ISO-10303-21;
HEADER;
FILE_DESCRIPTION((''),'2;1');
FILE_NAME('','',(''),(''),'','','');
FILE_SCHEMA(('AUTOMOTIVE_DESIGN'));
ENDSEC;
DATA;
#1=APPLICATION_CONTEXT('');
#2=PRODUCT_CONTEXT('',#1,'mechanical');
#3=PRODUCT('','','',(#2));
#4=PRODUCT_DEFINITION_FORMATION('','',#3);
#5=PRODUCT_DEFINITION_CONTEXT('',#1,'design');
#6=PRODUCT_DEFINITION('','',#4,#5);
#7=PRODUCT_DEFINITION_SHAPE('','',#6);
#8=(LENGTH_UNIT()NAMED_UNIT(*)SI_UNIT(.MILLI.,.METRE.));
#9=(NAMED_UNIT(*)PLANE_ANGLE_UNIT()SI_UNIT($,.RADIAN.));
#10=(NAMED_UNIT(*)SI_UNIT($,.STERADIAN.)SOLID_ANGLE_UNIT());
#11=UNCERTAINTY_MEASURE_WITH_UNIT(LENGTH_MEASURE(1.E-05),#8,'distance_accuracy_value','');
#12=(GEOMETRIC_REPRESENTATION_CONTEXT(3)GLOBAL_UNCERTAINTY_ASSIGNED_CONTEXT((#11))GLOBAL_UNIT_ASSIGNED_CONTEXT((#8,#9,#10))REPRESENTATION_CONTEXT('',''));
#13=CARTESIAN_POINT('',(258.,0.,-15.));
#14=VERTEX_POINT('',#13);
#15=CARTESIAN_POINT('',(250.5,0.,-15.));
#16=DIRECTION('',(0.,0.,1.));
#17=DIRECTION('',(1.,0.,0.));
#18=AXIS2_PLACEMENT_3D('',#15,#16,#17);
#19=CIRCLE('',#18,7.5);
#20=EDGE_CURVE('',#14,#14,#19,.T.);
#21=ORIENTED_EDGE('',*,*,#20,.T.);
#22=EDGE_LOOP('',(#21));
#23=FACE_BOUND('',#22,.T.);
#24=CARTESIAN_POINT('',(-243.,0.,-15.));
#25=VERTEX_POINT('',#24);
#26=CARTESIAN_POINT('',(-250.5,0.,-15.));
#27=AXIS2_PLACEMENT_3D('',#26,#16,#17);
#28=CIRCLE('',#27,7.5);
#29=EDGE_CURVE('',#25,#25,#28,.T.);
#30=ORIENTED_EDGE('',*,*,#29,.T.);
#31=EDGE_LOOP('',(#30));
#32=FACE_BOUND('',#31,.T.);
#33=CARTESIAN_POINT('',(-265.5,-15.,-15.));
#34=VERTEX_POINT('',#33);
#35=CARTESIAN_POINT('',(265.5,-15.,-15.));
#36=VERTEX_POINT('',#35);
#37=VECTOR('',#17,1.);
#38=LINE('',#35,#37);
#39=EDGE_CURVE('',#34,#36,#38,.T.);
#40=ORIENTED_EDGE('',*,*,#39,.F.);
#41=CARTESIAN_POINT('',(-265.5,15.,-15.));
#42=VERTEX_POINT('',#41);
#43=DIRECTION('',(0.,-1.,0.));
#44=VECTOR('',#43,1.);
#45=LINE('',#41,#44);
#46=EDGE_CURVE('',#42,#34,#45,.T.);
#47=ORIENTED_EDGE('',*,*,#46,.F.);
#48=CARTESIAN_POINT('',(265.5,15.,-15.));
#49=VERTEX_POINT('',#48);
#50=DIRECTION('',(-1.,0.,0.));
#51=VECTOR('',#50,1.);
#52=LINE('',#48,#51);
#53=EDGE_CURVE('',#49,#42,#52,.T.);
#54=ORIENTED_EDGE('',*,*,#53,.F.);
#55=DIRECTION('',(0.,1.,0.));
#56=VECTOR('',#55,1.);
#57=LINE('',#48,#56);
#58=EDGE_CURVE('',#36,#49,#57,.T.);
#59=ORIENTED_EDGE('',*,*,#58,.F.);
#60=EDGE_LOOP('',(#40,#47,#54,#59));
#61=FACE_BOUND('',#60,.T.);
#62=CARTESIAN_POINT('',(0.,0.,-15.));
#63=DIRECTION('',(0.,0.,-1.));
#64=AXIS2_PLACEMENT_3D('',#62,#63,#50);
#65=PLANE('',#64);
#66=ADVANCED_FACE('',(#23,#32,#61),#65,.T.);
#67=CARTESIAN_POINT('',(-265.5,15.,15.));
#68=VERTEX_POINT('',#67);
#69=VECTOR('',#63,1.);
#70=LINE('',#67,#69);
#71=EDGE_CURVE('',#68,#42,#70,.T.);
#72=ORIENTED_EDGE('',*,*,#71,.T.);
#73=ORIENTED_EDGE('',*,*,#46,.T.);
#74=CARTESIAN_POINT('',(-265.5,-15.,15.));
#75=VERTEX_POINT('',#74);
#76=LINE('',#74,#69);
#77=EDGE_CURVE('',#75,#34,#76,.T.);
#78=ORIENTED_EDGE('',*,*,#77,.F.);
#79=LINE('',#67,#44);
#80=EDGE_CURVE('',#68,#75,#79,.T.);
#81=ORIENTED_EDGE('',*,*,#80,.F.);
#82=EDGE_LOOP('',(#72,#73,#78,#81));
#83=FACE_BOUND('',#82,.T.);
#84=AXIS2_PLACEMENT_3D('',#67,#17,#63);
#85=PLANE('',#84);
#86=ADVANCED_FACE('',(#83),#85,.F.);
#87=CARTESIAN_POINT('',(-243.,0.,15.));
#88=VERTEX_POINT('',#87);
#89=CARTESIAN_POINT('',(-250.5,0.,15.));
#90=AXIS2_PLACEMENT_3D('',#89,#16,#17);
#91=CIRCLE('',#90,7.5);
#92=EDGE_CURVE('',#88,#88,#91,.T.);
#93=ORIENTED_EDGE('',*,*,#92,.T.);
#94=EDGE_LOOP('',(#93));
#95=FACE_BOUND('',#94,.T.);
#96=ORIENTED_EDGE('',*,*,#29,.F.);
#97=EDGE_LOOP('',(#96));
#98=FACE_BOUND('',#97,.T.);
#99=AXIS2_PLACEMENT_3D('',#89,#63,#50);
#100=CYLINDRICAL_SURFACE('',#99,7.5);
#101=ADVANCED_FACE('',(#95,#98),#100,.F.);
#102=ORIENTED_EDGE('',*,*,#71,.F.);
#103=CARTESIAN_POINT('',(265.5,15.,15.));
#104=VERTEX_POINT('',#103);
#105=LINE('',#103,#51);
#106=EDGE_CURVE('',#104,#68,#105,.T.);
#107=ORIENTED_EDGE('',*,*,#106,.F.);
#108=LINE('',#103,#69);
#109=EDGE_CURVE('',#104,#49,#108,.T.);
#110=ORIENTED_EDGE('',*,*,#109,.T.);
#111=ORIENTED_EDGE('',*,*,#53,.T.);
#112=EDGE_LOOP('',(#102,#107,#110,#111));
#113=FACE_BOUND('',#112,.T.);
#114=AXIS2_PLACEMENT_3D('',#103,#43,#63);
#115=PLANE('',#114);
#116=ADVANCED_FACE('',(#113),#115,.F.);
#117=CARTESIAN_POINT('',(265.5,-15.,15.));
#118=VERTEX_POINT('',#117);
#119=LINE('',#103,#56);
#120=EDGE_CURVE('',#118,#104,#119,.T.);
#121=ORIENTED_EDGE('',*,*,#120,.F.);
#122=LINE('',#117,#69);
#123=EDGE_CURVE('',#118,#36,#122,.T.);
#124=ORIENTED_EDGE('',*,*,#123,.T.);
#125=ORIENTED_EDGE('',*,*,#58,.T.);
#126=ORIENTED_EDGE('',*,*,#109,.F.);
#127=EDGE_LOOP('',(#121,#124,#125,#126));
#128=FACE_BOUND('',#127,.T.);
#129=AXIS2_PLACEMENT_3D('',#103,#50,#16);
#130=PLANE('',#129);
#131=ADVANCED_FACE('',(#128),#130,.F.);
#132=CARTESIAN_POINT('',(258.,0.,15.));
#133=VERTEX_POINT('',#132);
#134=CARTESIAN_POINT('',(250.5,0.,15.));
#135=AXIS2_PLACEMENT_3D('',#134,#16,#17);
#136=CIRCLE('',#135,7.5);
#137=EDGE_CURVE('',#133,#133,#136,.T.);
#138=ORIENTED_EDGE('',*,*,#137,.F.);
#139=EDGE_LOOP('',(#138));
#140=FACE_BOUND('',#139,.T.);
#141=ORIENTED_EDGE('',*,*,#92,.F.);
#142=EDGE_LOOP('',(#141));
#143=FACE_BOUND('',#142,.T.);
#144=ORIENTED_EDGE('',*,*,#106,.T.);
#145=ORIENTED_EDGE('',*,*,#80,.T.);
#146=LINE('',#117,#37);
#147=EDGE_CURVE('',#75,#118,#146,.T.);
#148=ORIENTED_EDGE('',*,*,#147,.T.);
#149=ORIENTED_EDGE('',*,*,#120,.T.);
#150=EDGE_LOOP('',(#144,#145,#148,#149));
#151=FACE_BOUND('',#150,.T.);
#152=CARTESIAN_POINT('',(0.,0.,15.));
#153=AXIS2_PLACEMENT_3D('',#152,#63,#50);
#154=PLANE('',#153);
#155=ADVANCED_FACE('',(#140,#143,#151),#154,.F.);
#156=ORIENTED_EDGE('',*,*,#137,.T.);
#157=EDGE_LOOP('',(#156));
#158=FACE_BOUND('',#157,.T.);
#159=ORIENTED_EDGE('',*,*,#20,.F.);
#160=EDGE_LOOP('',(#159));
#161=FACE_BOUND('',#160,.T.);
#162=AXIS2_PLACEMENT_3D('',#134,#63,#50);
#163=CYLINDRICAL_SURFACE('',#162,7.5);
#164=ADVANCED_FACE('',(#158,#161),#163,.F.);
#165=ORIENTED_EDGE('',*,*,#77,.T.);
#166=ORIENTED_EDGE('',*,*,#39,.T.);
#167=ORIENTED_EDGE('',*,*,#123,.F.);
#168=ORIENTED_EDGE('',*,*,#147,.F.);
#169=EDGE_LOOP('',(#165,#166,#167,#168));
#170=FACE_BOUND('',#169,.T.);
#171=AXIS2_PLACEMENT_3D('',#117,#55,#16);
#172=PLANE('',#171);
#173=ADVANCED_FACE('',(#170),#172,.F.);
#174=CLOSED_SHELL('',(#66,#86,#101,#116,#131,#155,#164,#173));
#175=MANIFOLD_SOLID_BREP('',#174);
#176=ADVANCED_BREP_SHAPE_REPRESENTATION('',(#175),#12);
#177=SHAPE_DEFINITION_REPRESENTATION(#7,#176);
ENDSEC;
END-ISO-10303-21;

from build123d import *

# Parameters (mm, degrees)
SKETCH1_W           = 531
SKETCH1_H           = 30
SKETCH1_R           = 7.5
BOSS_EXTRUDE1_DEPTH = 15


with BuildPart() as part:
    # Sketch1 → Boss-Extrude1 (new, symmetric)
    with BuildSketch(Plane.XY):
        Rectangle(SKETCH1_W, SKETCH1_H)
        with Locations((-250.5, 0)):
            Circle(SKETCH1_R, mode=Mode.SUBTRACT)
        with Locations((250.5, 0)):
            Circle(SKETCH1_R, mode=Mode.SUBTRACT)
    extrude(amount=BOSS_EXTRUDE1_DEPTH, both=True)


solid = part.part
